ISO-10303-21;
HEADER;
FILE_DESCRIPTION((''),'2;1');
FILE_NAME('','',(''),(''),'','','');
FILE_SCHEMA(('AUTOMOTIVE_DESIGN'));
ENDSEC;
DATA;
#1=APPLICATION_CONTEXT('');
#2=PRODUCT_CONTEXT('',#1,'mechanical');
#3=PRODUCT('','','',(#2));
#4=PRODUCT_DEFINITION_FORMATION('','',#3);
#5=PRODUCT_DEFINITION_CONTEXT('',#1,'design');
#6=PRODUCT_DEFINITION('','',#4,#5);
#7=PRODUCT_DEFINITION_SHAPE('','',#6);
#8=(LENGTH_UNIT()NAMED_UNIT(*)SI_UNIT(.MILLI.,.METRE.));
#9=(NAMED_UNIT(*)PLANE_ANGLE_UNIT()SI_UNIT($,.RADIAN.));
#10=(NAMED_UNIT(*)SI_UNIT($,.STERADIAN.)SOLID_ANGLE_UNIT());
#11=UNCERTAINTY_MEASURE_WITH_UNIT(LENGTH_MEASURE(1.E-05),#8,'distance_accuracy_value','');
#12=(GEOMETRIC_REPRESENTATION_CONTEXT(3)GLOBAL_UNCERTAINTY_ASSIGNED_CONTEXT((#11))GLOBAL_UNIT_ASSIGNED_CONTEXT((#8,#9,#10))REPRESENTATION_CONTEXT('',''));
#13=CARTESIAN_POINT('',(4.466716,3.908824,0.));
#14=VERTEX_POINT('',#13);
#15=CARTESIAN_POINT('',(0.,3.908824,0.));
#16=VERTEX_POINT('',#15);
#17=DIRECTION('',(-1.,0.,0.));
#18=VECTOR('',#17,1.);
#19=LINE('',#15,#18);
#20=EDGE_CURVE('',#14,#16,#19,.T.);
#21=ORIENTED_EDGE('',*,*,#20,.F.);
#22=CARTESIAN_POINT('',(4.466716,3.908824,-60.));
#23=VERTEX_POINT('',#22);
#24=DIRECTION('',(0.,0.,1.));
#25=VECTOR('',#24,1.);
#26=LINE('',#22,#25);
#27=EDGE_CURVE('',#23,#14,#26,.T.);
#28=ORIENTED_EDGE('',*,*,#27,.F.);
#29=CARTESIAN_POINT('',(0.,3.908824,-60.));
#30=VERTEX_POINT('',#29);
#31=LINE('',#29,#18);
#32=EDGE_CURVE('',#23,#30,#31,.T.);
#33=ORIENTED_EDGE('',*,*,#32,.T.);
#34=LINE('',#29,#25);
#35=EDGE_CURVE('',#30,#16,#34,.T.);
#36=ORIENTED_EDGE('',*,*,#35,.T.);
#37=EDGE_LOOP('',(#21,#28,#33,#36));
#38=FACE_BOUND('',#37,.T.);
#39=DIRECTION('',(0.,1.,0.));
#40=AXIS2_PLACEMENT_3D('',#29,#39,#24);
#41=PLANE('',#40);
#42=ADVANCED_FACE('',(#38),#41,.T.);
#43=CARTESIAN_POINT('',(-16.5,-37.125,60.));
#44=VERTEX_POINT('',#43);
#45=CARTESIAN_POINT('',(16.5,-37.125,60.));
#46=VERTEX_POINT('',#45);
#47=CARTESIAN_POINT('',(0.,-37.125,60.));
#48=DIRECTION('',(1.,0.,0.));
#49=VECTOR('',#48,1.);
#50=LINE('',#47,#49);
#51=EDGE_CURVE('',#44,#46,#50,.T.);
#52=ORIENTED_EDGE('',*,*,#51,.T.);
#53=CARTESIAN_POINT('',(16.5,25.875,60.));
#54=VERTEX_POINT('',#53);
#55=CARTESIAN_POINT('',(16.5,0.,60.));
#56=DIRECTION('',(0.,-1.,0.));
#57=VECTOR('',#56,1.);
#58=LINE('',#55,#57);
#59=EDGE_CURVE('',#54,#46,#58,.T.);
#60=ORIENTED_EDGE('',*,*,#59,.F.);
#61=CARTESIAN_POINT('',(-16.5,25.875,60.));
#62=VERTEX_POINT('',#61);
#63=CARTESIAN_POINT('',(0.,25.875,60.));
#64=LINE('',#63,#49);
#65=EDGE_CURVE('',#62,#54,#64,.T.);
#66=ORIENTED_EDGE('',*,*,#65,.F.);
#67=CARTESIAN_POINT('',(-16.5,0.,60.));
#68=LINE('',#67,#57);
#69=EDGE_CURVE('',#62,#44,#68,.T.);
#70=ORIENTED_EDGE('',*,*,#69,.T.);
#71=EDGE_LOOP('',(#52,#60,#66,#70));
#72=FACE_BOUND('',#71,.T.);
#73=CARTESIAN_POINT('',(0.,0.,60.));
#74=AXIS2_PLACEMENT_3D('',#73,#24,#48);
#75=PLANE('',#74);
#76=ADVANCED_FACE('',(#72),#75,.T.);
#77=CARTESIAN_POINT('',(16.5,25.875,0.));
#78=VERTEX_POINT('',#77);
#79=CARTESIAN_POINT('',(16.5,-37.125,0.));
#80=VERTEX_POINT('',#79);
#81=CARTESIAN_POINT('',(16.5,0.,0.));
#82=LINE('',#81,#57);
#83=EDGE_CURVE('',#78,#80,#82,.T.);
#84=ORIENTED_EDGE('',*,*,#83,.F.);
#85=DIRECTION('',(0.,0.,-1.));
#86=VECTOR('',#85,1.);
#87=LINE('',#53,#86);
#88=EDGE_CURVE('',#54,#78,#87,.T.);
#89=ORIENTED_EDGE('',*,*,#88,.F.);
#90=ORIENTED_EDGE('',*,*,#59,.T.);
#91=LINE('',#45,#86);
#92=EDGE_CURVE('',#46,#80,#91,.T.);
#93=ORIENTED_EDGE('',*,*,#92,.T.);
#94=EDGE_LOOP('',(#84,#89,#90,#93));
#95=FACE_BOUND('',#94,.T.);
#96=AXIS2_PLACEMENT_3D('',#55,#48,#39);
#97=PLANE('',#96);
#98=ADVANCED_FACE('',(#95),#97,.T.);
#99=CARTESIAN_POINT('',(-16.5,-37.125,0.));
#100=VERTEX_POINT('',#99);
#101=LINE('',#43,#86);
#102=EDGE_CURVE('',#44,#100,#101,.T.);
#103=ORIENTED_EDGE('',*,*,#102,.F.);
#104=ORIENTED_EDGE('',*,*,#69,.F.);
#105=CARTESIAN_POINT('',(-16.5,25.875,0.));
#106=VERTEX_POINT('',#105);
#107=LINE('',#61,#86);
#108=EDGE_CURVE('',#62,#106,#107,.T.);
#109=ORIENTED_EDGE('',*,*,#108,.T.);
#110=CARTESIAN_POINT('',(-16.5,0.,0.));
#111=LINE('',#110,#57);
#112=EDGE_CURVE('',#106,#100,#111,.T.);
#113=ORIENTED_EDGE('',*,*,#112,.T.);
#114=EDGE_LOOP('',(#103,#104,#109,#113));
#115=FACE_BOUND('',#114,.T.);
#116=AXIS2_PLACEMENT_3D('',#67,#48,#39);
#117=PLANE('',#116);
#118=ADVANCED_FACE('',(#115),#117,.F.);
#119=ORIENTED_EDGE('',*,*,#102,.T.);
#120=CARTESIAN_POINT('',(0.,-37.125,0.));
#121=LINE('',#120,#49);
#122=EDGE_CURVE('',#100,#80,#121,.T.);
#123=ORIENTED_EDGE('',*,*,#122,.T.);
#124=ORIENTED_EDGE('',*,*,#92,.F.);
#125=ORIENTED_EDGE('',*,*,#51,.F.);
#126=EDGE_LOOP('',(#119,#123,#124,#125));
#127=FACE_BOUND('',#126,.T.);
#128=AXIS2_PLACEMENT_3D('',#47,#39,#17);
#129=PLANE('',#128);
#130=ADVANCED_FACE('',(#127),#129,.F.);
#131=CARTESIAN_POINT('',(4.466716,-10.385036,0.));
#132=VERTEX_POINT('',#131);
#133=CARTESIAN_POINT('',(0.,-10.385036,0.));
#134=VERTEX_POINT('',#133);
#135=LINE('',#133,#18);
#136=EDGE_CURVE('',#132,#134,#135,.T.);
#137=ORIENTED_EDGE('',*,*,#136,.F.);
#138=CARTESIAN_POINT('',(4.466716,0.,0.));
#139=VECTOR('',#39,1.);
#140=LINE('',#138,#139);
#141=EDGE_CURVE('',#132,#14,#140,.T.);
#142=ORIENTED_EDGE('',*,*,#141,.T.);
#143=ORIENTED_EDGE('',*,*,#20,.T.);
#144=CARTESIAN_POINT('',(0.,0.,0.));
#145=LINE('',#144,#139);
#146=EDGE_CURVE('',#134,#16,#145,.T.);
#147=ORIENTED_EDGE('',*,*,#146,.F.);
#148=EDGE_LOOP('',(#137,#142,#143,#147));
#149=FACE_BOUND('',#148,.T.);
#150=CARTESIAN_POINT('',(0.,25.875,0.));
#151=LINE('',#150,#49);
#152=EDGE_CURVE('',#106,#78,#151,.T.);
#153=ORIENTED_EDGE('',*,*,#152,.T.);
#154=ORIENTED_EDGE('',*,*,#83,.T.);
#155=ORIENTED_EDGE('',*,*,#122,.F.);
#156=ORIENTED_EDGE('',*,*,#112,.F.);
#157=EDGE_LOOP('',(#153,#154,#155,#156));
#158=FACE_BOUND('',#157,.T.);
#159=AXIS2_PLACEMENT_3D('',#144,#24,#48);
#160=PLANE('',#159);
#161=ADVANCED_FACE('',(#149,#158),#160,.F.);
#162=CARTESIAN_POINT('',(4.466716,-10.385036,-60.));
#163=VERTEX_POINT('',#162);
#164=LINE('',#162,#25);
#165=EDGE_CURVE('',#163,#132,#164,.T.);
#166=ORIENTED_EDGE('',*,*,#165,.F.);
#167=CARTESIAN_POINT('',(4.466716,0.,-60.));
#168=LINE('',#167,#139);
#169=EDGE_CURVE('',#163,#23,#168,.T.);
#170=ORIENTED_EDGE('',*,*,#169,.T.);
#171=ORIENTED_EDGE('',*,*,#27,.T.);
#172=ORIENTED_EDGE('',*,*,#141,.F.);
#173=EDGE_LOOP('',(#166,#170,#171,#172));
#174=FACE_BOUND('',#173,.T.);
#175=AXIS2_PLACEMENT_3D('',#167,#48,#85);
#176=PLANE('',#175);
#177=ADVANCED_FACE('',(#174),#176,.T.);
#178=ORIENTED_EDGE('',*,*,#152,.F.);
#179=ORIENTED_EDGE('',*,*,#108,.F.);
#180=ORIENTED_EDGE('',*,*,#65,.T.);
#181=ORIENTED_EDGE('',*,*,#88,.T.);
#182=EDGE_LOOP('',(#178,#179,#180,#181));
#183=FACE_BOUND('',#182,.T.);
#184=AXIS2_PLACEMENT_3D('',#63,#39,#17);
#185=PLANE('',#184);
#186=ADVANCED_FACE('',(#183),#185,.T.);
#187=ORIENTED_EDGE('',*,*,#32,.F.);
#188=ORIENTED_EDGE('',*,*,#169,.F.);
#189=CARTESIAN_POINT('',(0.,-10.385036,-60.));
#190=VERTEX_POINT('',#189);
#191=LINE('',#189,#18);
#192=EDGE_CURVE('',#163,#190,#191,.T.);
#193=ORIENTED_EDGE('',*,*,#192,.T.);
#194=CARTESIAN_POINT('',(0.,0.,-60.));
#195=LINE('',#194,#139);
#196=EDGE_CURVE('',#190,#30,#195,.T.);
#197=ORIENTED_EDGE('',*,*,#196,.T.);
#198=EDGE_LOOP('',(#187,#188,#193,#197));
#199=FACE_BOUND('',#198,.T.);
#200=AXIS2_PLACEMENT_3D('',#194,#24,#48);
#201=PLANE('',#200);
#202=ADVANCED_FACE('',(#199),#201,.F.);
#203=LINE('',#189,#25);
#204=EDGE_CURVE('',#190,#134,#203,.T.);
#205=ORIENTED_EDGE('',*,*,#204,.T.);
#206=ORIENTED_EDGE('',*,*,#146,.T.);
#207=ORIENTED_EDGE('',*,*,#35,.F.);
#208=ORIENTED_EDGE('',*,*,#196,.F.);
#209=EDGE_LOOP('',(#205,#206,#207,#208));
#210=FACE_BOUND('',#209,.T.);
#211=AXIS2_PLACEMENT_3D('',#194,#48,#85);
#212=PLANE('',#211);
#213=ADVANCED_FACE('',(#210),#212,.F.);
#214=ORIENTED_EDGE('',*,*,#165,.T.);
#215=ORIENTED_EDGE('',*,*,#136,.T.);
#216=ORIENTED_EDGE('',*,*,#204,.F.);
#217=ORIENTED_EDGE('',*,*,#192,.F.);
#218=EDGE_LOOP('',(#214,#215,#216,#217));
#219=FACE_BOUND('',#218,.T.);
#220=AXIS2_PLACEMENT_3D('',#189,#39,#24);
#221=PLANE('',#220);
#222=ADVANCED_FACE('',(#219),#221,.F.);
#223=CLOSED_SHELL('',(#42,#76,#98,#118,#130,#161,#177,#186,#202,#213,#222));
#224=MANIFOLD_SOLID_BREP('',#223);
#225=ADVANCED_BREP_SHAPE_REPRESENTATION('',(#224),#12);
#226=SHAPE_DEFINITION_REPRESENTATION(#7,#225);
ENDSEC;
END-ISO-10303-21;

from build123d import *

# Parameters (mm, degrees)
SKETCH1_W           = 33
SKETCH1_H           = 63
BOSS_EXTRUDE1_DEPTH = 60
SKETCH1_3_W         = 4.466715852
SKETCH1_3_H         = 14.293859793
BOSS_EXTRUDE2_DEPTH = 60


with BuildPart() as part:
    # Sketch1 → Boss-Extrude1 (new body)
    with BuildSketch(Plane.XY):
        with Locations((0, -5.625)):
            Rectangle(SKETCH1_W, SKETCH1_H)
    extrude(amount=BOSS_EXTRUDE1_DEPTH)

    # Sketch1<3> → Boss-Extrude2 (add)
    with BuildSketch(Plane.XY):
        with Locations((2.233357926, -3.23810571)):
            Rectangle(SKETCH1_3_W, SKETCH1_3_H)
    extrude(amount=-BOSS_EXTRUDE2_DEPTH)


solid = part.part
